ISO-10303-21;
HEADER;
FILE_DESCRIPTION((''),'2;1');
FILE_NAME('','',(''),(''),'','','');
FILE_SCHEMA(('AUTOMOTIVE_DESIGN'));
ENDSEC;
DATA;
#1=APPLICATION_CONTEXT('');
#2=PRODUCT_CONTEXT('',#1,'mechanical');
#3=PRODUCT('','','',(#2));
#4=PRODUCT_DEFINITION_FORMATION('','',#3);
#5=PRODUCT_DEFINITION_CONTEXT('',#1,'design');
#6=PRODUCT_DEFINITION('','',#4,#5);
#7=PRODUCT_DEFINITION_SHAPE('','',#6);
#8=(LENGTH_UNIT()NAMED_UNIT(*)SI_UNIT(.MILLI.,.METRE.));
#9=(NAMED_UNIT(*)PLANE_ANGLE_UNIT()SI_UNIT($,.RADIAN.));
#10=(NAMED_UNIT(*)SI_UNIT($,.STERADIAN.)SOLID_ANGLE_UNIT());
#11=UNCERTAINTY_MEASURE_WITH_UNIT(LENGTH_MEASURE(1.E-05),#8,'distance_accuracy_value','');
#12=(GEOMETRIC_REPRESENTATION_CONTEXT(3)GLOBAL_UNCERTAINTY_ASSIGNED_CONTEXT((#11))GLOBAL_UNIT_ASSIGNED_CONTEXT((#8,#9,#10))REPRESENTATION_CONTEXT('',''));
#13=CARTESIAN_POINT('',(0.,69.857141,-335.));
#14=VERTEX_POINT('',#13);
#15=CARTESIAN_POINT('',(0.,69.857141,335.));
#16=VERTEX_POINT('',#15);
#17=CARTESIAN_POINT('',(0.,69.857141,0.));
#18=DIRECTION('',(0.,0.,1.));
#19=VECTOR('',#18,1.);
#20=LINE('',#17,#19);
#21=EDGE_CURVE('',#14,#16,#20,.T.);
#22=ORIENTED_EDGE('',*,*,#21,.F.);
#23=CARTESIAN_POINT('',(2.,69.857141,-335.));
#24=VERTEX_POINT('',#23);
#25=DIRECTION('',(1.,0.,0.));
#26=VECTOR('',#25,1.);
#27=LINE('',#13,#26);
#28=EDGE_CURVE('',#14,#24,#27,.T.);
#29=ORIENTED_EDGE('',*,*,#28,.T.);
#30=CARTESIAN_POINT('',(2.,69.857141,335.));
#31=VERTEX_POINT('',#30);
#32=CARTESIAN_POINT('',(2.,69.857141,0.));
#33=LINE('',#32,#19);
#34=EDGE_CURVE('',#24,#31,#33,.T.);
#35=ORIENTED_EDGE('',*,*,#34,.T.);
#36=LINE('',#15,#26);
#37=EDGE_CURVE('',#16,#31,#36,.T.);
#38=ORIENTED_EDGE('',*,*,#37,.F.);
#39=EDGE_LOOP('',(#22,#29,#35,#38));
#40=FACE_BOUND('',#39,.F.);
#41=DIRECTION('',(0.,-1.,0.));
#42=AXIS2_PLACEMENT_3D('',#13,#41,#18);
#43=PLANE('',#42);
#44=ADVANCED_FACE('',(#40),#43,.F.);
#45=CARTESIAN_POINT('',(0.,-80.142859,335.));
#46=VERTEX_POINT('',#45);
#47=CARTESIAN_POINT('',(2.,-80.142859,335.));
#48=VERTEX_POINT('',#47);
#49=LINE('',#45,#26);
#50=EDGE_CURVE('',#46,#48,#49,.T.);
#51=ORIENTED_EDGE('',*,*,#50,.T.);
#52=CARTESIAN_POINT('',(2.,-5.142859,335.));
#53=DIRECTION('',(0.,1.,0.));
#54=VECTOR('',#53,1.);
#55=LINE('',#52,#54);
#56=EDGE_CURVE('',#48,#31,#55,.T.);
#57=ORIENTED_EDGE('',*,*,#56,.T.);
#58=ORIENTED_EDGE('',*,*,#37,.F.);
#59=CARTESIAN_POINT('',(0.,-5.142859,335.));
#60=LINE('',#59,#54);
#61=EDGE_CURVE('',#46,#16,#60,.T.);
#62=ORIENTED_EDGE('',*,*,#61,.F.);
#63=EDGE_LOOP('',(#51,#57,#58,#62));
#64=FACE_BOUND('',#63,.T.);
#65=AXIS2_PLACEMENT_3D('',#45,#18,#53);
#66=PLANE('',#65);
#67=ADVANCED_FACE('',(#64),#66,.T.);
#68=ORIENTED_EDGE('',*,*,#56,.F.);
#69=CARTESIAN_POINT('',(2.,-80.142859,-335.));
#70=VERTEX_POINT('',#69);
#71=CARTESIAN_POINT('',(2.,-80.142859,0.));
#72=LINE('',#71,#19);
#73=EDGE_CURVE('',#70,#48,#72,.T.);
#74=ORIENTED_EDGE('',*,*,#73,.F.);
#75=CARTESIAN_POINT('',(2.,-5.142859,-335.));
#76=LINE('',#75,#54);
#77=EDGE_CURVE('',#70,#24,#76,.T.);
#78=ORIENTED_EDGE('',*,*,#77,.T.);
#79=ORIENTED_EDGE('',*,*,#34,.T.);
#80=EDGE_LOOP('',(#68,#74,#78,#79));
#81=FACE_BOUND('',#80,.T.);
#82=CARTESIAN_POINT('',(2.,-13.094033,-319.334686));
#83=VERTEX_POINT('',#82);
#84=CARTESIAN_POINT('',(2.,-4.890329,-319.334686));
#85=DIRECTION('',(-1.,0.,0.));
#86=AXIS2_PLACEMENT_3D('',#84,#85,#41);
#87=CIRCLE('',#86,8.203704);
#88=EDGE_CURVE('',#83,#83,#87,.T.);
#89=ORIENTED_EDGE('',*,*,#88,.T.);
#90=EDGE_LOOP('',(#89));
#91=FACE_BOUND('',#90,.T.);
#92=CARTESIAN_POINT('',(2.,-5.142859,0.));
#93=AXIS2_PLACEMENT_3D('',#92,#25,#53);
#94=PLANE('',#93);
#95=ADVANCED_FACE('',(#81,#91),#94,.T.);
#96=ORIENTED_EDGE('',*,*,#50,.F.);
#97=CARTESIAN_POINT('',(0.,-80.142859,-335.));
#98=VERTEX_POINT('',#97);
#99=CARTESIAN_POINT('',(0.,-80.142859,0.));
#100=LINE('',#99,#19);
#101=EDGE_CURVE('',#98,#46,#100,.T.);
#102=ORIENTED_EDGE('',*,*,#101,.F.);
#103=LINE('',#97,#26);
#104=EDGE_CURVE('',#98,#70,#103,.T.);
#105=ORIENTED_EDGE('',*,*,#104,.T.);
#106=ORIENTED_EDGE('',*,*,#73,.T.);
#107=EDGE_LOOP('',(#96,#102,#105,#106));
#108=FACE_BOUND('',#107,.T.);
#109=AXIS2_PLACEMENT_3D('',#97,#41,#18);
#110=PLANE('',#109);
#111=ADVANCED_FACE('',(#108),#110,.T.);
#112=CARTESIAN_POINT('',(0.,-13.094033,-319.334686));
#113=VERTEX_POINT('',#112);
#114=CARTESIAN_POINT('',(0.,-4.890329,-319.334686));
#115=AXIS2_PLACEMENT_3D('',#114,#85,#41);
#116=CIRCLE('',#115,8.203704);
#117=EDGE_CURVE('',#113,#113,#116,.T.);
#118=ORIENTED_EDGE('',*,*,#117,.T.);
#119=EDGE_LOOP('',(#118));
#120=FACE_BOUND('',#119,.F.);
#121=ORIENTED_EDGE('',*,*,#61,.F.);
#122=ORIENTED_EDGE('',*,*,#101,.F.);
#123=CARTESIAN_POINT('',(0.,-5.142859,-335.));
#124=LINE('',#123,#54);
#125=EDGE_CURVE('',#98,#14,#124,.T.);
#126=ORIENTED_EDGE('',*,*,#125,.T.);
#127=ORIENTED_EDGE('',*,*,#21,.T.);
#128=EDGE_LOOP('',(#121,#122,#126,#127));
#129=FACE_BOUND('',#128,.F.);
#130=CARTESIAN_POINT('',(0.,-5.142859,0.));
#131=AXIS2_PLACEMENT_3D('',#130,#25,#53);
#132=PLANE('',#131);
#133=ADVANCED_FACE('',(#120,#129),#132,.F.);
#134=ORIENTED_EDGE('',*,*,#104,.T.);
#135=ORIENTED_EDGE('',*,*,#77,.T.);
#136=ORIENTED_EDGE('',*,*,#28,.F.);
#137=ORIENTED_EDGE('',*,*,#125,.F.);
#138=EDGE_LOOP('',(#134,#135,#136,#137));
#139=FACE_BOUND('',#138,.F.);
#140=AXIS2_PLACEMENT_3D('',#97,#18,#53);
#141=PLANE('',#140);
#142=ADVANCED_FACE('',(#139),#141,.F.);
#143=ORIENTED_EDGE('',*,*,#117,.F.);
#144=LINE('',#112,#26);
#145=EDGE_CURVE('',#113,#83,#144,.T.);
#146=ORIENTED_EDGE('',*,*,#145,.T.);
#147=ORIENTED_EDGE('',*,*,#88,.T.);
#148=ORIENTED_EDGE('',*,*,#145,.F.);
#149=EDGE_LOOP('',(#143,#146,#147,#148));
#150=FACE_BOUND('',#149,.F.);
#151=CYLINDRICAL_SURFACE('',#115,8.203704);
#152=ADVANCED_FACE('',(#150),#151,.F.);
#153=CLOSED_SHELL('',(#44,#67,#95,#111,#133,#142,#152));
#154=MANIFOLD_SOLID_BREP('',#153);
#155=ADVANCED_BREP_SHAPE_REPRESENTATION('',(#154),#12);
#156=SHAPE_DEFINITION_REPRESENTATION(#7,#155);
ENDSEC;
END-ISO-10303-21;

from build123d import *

# Parameters (mm, degrees)
F0_W     = 150
F0_H     = 670
F1_DEPTH = 2
F2_R     = 8.203704
F3_DEPTH = 25


with BuildPart() as f1:
    # F0 (on Right) → F1 (new body)
    with BuildSketch(Plane.YZ):
        with Locations((-5.142859, 0)):
            Rectangle(F0_W, F0_H)
    extrude(amount=F1_DEPTH)

    # F2 (on face) → F3 (cut)
    with BuildSketch(Plane(origin=(0, 0, 0), x_dir=(0, -1, 0), z_dir=(-1, 0, 0))):
        with Locations((4.890329, -319.334686)):
            Circle(F2_R)
    extrude(amount=-F3_DEPTH, mode=Mode.SUBTRACT)


solid = f1.part
